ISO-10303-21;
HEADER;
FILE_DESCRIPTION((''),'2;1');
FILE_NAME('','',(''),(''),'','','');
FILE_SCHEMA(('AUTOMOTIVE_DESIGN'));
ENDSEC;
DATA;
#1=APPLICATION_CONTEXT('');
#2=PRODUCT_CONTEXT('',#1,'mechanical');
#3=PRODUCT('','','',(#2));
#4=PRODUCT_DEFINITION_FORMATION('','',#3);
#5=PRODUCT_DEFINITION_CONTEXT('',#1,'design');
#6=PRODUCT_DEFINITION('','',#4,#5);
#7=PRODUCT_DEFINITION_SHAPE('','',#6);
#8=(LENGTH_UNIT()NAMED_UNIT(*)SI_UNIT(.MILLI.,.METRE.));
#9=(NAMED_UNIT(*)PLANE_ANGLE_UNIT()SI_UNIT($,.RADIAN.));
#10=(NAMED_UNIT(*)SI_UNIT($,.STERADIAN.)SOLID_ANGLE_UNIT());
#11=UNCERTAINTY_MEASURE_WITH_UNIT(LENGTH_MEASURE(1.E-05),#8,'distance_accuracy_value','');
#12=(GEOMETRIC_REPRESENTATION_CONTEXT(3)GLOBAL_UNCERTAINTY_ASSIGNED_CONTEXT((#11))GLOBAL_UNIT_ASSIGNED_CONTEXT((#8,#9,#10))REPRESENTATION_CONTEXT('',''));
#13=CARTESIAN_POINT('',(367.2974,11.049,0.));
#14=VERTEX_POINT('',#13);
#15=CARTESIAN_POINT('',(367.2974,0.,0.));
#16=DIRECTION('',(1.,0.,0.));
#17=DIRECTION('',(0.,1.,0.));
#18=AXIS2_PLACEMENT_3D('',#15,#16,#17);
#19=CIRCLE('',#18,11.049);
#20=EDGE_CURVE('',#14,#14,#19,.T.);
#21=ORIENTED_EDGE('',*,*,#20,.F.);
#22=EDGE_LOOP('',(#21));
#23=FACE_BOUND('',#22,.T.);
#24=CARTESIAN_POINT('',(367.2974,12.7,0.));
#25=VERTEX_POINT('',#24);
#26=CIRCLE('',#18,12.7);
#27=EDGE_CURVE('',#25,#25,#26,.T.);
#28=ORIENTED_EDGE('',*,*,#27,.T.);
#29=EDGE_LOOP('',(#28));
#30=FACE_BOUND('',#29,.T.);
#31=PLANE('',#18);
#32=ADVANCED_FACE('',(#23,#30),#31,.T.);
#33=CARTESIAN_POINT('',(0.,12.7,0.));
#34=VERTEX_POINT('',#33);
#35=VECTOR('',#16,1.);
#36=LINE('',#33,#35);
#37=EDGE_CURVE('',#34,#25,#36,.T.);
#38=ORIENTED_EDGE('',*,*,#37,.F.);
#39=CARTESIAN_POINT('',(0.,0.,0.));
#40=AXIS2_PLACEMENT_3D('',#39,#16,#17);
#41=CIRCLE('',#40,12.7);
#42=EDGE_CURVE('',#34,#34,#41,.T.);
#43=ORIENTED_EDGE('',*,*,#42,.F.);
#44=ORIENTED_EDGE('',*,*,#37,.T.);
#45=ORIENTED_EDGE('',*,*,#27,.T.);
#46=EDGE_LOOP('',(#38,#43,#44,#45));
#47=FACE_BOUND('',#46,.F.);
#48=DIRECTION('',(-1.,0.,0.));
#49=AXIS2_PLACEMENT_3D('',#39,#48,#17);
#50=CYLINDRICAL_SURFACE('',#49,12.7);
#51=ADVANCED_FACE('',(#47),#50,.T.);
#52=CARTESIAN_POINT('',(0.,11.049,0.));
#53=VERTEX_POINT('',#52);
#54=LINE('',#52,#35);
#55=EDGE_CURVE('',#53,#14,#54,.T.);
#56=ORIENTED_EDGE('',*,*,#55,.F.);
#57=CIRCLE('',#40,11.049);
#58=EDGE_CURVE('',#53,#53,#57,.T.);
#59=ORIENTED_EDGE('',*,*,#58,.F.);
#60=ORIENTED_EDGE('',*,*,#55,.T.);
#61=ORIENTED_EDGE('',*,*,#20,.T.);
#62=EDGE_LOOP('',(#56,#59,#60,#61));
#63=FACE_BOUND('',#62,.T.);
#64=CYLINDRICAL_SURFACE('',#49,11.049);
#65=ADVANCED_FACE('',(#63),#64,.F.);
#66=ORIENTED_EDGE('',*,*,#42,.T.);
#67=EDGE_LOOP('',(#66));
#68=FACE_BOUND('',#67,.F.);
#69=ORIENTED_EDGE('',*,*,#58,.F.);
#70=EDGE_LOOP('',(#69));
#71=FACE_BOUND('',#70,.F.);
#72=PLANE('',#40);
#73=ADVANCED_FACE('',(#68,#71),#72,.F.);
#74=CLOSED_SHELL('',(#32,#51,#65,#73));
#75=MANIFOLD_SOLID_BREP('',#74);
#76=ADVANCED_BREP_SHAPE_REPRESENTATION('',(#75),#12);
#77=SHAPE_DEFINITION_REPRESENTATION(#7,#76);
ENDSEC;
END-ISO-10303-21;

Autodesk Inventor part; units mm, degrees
ref_plane "XZ Plane" through (0, 0, 0) normal (0, 1, 0) x (-1, 0, 0)
ref_plane "Start Plane" through (0, 0, 0) normal (1, 0, 0) x (0, 1, 0)
ref_plane "End Plane" through (367.2974, 0, 0) normal (1, 0, 0) x (0, 1, 0)
sketch "Sketch" plane through (0, 0, 0) normal (1, 0, 0) x (0, 1, 0)
  circle A0 centre (0, 0) radius 12.7
  circle A1 centre (0, 0) radius 11.049
  dimension "d0" = 25.4
  dimension "d1" = 1.651
extrude "Body" add sketch "Sketch" along normal up to surface (367.2974 mm away) from surface at 0
sketch "Sketch2" plane through (0, 0, 0) normal (1, 0, 0) x (0, 1, 0)
  line L0 (0, 0) -> (10, 0)
ref_plane "Work Plane3" through (0, 0, 0) normal (0, 0, -1) x (0, 1, 0)
sketch "Sketch3" plane through (0, 0, 0) normal (0, 0, -1) x (0, 1, 0)
  line L0 (-2, 0) -> (12, 0)
  line L1 (-2, 367.2974) -> (12, 367.2974)
  dimension "d9" = 367.2974
equation "\"G_OFFSET_START\" = 0"
equation "\"G_OFFSET_END\" = 0"
equation "\"d5\" = d2 + G_OFFSET_END"
equation "\"G_L\" = d9"
equation "\"d2\" = 367.297369"
properties part number "4130_1x0.065" material "Steel, Alloy"
